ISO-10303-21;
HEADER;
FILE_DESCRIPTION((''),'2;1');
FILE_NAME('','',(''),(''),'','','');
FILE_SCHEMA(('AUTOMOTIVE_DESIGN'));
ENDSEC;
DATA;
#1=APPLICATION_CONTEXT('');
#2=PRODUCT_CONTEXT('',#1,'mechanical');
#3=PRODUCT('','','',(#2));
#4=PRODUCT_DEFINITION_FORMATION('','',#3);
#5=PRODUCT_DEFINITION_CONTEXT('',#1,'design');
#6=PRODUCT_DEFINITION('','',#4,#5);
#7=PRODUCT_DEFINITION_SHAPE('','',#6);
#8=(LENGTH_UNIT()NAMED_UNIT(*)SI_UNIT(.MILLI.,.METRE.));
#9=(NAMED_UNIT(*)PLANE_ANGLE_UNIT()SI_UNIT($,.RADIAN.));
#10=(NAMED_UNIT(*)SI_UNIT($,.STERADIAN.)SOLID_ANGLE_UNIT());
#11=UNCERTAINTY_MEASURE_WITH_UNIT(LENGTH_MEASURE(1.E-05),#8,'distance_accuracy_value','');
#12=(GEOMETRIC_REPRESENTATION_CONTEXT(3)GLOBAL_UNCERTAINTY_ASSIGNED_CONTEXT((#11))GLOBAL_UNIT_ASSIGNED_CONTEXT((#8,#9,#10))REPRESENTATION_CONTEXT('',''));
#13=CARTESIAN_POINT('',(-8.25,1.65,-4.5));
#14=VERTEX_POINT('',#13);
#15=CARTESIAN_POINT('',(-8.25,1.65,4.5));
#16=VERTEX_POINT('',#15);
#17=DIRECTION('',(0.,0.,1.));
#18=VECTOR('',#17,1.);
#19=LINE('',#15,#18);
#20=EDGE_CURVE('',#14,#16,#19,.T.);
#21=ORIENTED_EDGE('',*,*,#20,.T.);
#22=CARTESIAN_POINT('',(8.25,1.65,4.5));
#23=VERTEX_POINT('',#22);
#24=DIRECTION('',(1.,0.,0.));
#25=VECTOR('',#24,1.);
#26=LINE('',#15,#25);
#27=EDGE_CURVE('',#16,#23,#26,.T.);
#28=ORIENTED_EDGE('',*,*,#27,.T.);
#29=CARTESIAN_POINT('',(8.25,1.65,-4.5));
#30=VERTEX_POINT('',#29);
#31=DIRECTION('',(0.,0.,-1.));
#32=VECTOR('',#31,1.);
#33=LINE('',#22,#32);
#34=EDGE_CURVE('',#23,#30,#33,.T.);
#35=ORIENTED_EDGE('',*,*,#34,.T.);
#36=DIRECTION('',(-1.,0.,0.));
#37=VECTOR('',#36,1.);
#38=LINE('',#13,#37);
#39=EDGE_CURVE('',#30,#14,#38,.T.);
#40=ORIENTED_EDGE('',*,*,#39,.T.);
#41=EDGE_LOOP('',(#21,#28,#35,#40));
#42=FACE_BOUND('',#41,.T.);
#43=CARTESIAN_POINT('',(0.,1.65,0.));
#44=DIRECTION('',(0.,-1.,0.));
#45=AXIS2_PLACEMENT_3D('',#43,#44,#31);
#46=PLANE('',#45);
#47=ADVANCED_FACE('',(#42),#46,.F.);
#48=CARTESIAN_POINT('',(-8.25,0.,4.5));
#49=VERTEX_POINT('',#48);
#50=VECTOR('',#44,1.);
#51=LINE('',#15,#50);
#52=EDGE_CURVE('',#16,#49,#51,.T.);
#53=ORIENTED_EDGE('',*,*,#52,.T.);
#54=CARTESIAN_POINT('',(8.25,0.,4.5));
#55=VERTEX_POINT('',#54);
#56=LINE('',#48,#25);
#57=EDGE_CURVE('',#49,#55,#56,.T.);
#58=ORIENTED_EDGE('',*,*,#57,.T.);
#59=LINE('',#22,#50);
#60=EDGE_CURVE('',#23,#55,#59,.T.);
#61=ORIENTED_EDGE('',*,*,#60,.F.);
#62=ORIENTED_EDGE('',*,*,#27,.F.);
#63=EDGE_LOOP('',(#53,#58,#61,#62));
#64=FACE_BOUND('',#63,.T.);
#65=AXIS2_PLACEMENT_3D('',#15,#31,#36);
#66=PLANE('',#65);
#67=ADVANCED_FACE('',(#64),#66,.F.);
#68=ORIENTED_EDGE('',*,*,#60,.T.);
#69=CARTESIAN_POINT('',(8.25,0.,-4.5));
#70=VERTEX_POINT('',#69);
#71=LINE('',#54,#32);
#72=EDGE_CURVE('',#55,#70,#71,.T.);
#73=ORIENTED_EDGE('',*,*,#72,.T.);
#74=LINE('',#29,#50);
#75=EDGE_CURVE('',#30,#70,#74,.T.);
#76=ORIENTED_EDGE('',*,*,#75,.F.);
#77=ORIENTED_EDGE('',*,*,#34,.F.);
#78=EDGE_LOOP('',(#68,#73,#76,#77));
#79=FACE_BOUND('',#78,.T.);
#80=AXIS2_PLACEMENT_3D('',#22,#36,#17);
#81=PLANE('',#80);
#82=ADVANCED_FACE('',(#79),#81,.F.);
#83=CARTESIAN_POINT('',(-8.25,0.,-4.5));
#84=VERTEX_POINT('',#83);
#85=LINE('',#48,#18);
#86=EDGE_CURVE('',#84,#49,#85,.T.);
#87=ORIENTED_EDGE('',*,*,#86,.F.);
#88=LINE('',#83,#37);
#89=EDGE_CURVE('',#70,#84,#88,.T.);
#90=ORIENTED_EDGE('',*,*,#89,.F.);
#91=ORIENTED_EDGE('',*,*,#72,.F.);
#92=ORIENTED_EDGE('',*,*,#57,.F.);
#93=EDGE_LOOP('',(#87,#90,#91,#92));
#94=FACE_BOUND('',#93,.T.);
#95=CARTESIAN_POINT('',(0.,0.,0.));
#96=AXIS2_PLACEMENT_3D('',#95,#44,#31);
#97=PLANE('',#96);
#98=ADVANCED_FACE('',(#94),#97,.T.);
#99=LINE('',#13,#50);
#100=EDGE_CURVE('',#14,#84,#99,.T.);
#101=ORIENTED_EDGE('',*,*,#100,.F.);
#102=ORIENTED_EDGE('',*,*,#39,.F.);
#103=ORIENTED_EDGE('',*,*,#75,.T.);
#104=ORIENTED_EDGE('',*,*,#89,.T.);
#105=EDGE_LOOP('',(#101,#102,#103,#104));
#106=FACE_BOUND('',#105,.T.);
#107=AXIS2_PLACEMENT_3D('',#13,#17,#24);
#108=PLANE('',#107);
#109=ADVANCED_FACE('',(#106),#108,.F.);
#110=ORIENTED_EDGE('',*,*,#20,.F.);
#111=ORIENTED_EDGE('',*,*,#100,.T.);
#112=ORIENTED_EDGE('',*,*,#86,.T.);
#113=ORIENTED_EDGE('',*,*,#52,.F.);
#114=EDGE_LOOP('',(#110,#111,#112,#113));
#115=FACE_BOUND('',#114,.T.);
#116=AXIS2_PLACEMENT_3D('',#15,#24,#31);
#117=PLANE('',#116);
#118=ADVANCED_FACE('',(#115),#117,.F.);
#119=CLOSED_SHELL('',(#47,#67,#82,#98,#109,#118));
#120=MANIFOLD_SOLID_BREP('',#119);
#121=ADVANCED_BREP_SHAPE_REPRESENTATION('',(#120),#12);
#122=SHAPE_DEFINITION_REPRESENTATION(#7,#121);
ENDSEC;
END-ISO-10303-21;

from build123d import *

# Parameters (mm, degrees)
SKETCH1_W           = 16.5
SKETCH1_H           = 9
BOSS_EXTRUDE1_DEPTH = 1.65


with BuildPart() as part:
    # Sketch1 → Boss-Extrude1 (new body)
    with BuildSketch(Plane(origin=(0, 0, 0), x_dir=(1, 0, 0), z_dir=(0, 1, 0))):
        Rectangle(SKETCH1_W, SKETCH1_H)
    extrude(amount=BOSS_EXTRUDE1_DEPTH)


solid = part.part
